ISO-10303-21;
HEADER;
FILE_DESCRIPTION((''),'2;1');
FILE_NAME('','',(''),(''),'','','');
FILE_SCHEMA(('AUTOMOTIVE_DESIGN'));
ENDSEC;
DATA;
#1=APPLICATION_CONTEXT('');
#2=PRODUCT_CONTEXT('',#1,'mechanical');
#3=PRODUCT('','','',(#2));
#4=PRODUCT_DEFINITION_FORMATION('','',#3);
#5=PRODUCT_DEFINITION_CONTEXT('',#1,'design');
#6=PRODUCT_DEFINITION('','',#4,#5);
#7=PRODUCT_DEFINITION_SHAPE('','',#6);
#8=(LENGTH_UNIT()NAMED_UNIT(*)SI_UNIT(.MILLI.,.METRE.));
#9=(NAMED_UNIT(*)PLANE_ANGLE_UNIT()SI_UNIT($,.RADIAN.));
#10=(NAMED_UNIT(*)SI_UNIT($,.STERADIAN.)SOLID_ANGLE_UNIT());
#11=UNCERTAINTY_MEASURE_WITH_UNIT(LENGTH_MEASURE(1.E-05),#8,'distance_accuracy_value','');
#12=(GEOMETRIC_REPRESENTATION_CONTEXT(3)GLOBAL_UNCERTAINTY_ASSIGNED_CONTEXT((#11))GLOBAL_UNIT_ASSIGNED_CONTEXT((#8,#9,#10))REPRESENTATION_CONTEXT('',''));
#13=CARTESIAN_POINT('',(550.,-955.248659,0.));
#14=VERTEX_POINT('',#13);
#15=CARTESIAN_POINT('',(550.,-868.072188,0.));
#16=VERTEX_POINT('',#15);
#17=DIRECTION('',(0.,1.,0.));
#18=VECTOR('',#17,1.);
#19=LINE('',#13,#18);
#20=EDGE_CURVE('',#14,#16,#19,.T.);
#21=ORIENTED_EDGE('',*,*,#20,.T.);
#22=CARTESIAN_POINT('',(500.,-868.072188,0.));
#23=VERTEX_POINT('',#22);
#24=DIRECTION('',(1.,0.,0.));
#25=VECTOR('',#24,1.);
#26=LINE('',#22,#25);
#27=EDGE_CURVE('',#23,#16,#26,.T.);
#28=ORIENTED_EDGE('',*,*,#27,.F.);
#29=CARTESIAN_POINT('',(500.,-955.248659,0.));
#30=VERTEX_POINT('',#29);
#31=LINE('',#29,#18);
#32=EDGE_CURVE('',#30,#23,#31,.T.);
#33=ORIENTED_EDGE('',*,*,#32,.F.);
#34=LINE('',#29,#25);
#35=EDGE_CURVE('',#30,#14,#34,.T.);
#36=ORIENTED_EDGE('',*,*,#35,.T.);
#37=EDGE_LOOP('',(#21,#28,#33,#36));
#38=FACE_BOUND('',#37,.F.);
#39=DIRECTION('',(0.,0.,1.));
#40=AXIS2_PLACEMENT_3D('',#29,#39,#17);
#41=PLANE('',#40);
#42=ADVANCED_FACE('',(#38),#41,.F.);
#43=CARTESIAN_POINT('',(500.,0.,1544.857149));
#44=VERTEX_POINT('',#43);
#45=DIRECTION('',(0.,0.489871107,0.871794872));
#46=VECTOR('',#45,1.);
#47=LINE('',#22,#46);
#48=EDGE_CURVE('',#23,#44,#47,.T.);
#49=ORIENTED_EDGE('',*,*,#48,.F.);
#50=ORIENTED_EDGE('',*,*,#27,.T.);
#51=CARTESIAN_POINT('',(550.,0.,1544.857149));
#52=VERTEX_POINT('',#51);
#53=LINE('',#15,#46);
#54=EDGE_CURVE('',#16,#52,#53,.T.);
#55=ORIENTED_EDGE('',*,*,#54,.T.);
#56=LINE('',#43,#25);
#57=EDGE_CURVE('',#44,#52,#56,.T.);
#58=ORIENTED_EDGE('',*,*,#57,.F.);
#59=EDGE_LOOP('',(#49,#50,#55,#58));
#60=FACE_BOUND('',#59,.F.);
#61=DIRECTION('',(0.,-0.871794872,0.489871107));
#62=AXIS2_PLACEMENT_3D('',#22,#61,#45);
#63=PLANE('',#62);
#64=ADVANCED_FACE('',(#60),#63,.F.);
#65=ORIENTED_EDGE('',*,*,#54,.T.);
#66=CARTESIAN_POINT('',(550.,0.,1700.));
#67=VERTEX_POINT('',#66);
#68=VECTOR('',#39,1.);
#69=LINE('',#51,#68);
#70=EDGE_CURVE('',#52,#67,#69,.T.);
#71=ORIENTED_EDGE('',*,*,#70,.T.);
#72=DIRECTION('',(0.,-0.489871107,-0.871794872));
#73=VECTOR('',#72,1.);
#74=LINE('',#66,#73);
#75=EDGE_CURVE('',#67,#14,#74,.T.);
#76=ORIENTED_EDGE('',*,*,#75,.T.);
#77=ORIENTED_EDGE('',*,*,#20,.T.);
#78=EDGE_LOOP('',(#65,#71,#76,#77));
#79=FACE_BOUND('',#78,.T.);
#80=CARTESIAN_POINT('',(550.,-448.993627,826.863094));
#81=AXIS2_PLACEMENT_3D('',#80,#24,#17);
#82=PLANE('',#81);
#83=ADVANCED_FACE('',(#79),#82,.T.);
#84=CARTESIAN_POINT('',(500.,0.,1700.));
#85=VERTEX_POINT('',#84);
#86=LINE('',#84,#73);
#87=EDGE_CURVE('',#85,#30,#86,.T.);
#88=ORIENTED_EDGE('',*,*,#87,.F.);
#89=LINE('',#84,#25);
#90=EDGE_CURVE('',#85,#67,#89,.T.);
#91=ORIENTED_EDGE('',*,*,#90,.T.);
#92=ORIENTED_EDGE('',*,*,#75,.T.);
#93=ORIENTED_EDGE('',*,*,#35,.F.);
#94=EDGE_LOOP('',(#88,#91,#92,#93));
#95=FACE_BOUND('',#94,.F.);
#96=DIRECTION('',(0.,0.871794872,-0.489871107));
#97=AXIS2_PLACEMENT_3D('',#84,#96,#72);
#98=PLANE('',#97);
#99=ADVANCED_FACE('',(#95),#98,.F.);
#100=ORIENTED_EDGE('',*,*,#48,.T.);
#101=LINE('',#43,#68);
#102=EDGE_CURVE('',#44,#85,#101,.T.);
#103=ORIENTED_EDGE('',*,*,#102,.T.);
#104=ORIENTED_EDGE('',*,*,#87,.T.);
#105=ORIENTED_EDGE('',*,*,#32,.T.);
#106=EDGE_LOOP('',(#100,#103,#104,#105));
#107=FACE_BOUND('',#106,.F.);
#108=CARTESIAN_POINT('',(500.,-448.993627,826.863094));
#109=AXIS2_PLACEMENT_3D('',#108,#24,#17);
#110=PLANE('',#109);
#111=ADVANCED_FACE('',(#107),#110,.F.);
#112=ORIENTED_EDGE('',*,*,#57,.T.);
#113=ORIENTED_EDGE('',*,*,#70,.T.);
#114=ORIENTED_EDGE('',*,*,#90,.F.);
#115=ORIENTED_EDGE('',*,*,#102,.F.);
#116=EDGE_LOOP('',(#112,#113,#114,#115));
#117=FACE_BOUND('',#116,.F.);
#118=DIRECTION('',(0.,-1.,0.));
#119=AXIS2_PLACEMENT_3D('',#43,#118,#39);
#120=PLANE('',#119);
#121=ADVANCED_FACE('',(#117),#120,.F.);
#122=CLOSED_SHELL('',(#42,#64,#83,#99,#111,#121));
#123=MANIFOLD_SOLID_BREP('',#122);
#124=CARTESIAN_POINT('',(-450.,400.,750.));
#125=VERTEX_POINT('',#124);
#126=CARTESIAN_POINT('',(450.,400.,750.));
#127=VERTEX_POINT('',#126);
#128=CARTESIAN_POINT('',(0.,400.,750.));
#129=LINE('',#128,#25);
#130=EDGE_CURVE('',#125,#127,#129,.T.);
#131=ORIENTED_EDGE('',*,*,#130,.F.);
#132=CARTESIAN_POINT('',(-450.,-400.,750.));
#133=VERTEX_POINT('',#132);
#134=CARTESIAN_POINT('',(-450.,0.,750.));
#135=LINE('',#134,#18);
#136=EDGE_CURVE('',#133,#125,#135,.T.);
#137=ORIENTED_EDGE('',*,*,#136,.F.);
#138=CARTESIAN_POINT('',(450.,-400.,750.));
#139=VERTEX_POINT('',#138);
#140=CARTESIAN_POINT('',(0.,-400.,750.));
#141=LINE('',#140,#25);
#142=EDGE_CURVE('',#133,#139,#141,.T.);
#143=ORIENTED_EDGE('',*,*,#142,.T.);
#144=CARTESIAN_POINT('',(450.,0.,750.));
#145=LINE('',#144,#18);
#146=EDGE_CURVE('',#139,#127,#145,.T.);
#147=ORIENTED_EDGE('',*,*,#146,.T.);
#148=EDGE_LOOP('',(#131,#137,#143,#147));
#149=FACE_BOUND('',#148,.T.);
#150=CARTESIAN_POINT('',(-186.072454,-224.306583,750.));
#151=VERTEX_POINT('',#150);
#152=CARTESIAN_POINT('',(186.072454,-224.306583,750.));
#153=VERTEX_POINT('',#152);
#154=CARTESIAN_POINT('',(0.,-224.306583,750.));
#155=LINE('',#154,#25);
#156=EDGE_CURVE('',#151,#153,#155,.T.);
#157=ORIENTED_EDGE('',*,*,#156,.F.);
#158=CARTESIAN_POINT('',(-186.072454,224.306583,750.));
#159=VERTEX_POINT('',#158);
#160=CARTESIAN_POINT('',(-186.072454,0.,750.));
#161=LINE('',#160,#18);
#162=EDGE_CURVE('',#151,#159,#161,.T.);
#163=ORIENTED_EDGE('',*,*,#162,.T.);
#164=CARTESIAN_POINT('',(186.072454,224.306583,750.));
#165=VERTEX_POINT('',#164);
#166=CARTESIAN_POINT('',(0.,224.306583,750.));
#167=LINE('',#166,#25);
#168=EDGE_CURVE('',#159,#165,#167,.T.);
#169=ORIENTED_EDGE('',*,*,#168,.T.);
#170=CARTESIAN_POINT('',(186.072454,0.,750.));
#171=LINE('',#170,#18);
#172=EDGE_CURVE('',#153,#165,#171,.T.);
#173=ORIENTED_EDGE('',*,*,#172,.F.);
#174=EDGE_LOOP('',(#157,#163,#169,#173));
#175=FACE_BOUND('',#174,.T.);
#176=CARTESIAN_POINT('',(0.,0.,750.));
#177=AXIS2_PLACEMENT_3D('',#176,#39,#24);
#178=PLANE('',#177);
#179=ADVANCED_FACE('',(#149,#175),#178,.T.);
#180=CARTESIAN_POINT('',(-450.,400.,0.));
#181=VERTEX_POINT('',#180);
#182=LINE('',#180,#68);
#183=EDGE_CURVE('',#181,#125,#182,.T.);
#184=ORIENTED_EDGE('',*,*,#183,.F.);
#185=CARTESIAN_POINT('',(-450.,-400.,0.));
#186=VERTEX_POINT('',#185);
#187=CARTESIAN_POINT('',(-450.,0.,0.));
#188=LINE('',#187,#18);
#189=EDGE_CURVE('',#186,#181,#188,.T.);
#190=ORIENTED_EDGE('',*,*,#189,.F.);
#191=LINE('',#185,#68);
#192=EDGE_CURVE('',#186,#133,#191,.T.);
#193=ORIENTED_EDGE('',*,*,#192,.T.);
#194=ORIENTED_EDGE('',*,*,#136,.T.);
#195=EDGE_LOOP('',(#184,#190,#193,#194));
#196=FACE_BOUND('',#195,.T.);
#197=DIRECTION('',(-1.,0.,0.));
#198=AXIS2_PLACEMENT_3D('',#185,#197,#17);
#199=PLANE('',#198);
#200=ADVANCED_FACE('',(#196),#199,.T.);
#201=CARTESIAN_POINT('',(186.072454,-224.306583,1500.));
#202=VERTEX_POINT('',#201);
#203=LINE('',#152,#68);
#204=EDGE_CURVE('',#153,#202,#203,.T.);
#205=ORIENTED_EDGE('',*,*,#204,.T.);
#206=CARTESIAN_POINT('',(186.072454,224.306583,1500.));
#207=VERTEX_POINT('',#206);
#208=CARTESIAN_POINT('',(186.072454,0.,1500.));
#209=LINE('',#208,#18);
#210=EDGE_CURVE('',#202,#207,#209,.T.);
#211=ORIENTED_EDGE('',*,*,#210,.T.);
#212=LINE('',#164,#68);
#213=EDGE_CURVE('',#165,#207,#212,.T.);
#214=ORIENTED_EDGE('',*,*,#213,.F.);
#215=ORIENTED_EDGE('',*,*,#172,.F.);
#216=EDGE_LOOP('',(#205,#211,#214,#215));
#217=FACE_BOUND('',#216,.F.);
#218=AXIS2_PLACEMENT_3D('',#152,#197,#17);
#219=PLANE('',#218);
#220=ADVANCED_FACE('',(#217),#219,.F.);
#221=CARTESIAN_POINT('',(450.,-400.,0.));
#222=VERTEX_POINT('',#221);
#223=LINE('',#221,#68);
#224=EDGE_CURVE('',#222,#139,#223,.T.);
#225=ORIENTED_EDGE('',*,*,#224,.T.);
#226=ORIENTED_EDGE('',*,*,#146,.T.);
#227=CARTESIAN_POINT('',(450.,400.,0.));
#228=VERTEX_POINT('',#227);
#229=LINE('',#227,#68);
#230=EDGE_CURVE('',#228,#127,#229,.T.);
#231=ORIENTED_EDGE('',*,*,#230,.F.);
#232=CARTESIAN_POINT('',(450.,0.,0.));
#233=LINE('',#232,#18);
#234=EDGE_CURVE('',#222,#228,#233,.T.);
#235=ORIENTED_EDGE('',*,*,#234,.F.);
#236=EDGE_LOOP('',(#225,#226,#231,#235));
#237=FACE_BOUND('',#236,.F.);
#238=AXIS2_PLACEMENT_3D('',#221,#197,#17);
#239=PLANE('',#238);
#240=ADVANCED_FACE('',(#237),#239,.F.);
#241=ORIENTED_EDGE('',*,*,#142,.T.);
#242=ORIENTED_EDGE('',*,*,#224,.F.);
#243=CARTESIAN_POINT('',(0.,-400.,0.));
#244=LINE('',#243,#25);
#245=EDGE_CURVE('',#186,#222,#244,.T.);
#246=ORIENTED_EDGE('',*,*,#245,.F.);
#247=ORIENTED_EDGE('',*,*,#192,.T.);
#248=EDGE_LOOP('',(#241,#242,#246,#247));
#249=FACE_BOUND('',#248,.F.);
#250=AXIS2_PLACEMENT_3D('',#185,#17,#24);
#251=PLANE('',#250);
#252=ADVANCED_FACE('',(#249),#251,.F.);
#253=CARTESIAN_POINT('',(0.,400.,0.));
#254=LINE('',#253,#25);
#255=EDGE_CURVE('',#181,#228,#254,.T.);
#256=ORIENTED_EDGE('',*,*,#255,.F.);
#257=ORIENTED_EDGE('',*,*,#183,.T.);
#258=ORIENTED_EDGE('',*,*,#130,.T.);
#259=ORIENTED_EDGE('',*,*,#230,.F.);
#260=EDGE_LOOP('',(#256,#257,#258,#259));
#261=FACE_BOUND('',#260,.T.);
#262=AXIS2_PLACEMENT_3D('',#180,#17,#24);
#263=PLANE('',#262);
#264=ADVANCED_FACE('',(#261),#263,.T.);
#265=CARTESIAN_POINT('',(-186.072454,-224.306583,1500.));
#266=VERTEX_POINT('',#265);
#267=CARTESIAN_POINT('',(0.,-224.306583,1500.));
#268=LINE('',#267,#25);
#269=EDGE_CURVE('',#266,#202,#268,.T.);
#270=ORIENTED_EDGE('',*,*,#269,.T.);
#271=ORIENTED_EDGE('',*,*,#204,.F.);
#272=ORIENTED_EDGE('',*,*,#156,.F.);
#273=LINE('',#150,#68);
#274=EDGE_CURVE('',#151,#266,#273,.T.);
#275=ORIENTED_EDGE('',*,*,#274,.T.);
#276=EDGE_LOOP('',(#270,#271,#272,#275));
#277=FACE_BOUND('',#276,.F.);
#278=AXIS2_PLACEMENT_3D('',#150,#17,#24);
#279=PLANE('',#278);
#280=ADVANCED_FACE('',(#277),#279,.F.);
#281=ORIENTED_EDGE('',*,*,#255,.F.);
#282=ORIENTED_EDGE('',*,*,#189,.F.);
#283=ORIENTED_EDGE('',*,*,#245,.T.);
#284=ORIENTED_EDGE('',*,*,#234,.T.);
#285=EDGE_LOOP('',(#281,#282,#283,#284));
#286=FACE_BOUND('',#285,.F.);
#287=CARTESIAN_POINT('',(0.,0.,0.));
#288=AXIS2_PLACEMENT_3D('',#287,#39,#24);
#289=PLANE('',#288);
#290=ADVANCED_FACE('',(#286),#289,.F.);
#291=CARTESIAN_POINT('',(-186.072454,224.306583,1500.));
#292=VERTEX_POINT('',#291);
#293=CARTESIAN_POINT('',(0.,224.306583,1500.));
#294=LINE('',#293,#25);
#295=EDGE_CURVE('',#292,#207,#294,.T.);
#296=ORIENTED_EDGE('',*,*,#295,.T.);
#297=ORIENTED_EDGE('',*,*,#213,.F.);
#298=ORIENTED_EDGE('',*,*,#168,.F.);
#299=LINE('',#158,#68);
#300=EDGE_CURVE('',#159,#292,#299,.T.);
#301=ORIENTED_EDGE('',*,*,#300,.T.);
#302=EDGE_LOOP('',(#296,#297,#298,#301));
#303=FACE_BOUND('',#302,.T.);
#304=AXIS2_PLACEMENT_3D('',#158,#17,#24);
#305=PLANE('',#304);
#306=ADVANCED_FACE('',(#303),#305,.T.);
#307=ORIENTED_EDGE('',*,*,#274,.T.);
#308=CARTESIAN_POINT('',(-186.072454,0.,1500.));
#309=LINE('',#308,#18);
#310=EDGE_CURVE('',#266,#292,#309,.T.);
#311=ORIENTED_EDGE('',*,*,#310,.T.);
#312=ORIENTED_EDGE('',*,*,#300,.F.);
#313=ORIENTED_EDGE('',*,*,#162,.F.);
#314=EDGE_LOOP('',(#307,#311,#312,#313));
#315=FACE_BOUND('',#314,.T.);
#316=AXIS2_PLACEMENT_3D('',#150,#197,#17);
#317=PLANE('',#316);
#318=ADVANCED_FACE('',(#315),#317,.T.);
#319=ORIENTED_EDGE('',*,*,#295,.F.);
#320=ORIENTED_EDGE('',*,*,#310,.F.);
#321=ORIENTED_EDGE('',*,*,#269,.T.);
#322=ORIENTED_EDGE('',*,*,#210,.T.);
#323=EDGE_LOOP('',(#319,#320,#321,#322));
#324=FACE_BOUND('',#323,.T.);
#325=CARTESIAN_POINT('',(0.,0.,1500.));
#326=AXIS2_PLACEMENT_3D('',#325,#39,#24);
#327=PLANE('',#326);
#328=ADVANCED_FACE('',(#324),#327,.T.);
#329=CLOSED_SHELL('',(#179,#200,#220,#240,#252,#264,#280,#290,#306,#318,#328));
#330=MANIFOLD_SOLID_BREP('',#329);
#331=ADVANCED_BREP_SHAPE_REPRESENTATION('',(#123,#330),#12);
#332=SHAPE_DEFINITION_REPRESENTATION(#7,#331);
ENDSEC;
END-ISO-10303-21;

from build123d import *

# Parameters (mm, degrees)
F0_W     = 900
F0_H     = 800
F1_DEPTH = 750
F2_W     = 372.144908
F2_H     = 448.613166
F3_DEPTH = 750
F6_DEPTH = 50


with BuildPart() as f1:
    # F0 (on Top) → F1 (new body)
    with BuildSketch(Plane.XY):
        Rectangle(F0_W, F0_H)
    extrude(amount=F1_DEPTH)

    # F2 (on face) → F3 (join)
    with BuildSketch(Plane.XY.offset(750)):
        Rectangle(F2_W, F2_H)
    extrude(amount=F3_DEPTH)


with BuildPart() as f6:
    # F5 (on offset) → F6 (new body)
    with BuildSketch(Plane.YZ.offset(500)):
        Polygon((0, 1700), (-955.248659, 0), (-868.072188, 0), (0, 1544.857149), align=None)
    extrude(amount=F6_DEPTH)


solid = Compound([f1.part, f6.part])
